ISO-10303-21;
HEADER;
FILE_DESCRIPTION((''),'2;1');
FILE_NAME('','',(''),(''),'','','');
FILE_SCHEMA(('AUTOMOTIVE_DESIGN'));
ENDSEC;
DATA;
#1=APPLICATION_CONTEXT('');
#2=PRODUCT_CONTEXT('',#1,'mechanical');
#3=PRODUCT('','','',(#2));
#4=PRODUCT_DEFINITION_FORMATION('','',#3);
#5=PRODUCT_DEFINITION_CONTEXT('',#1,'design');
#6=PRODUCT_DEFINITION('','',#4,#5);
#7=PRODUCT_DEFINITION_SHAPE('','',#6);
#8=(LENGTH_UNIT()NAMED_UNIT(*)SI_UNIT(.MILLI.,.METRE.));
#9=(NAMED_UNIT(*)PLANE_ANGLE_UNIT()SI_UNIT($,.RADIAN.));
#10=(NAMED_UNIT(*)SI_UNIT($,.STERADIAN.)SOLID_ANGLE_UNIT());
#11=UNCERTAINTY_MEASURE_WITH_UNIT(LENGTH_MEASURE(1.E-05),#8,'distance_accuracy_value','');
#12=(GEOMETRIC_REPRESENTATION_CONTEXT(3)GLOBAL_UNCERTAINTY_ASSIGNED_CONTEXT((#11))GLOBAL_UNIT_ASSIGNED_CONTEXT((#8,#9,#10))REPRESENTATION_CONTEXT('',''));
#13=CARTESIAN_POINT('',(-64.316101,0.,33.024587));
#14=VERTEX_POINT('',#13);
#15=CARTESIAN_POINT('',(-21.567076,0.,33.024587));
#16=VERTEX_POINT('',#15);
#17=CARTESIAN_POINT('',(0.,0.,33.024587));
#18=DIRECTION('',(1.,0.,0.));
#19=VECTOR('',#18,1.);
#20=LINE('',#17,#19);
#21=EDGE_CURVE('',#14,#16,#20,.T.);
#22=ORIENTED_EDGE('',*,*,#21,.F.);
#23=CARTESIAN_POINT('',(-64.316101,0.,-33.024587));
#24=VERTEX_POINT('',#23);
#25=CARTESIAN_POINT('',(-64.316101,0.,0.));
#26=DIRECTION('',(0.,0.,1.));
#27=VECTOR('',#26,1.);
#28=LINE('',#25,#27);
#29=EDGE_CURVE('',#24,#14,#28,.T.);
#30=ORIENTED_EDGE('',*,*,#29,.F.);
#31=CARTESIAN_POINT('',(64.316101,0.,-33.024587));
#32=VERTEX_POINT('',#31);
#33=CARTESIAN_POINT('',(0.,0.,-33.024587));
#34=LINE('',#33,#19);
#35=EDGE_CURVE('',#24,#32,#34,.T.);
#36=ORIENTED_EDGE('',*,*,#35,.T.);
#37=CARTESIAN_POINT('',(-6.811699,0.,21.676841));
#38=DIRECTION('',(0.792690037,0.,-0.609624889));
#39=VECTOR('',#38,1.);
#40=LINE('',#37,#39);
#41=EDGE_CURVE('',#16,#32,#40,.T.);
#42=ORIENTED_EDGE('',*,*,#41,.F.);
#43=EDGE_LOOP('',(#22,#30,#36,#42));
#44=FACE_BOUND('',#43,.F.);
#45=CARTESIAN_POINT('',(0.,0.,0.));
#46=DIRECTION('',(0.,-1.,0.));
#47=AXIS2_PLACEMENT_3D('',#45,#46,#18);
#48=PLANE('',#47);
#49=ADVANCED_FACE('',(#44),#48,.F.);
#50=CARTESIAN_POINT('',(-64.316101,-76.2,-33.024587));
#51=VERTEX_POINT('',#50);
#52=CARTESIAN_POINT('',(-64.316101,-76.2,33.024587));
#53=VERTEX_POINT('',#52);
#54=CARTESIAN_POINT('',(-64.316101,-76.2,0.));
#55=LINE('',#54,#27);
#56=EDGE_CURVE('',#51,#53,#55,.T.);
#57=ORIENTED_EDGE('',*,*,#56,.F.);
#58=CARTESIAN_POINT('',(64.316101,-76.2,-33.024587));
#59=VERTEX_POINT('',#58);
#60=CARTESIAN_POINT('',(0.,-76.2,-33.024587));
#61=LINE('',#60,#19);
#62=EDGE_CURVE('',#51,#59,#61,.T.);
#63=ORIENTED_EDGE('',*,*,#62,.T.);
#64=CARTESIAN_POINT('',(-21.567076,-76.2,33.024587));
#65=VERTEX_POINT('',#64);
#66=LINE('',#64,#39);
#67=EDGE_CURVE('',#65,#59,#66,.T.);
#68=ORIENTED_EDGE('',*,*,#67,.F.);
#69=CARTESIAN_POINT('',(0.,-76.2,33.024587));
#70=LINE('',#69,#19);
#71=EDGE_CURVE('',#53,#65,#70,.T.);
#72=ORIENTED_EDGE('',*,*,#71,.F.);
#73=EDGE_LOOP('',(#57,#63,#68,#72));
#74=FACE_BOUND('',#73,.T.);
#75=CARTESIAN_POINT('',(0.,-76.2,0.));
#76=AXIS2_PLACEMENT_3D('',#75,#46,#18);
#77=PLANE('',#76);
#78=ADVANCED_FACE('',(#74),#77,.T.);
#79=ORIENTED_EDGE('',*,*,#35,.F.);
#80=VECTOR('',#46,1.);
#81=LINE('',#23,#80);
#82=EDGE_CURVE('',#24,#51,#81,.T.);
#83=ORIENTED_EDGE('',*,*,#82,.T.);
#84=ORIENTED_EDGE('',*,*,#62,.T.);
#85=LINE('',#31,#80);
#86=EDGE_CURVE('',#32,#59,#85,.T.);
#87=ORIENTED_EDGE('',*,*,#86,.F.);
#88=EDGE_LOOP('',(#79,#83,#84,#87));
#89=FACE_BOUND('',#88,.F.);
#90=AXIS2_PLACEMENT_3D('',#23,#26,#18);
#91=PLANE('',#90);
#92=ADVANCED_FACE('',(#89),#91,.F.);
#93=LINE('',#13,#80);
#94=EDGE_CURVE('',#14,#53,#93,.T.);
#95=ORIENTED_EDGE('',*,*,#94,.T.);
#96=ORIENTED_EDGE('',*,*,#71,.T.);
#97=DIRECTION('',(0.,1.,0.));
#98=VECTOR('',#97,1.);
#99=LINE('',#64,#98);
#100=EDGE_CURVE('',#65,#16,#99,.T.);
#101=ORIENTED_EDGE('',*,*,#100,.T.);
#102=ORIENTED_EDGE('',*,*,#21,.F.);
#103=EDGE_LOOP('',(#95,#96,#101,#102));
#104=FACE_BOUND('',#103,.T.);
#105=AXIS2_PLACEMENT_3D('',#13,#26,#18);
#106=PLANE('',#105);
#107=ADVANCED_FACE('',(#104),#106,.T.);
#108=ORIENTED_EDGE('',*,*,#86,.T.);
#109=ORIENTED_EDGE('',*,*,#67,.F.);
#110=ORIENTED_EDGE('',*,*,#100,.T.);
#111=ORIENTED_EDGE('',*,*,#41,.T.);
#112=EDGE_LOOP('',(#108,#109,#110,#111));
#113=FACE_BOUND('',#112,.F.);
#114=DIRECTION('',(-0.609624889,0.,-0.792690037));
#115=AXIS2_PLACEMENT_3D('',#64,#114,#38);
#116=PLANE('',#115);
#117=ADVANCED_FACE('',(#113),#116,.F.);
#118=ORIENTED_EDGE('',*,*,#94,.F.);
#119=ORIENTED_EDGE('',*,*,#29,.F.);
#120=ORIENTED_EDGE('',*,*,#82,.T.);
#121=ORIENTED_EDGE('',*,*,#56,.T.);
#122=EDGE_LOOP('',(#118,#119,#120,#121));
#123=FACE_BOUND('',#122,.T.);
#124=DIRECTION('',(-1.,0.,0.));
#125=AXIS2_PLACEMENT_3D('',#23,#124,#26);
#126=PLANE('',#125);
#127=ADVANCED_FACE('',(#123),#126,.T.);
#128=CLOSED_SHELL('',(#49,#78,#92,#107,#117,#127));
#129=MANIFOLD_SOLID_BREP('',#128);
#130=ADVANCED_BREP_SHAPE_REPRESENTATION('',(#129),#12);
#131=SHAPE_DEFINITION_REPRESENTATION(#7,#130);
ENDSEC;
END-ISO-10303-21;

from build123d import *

# Parameters (mm, degrees)
F0_W     = 128.632202
F0_H     = 66.049174
F1_DEPTH = 76.2
F3_DEPTH = 76.201


with BuildPart() as f1:
    # F0 (on Front) → F1 (new body)
    with BuildSketch(Plane.XZ):
        Rectangle(F0_W, F0_H)
    extrude(amount=F1_DEPTH)

    # F2 (on face) → F3 (cut, through all)
    with BuildSketch(Plane.XZ.offset(76.2)):
        Polygon((64.316101, -33.024587), (64.316101, 33.024587), (-21.567076, 33.024587), align=None)
    extrude(amount=-F3_DEPTH, mode=Mode.SUBTRACT)


solid = f1.part
